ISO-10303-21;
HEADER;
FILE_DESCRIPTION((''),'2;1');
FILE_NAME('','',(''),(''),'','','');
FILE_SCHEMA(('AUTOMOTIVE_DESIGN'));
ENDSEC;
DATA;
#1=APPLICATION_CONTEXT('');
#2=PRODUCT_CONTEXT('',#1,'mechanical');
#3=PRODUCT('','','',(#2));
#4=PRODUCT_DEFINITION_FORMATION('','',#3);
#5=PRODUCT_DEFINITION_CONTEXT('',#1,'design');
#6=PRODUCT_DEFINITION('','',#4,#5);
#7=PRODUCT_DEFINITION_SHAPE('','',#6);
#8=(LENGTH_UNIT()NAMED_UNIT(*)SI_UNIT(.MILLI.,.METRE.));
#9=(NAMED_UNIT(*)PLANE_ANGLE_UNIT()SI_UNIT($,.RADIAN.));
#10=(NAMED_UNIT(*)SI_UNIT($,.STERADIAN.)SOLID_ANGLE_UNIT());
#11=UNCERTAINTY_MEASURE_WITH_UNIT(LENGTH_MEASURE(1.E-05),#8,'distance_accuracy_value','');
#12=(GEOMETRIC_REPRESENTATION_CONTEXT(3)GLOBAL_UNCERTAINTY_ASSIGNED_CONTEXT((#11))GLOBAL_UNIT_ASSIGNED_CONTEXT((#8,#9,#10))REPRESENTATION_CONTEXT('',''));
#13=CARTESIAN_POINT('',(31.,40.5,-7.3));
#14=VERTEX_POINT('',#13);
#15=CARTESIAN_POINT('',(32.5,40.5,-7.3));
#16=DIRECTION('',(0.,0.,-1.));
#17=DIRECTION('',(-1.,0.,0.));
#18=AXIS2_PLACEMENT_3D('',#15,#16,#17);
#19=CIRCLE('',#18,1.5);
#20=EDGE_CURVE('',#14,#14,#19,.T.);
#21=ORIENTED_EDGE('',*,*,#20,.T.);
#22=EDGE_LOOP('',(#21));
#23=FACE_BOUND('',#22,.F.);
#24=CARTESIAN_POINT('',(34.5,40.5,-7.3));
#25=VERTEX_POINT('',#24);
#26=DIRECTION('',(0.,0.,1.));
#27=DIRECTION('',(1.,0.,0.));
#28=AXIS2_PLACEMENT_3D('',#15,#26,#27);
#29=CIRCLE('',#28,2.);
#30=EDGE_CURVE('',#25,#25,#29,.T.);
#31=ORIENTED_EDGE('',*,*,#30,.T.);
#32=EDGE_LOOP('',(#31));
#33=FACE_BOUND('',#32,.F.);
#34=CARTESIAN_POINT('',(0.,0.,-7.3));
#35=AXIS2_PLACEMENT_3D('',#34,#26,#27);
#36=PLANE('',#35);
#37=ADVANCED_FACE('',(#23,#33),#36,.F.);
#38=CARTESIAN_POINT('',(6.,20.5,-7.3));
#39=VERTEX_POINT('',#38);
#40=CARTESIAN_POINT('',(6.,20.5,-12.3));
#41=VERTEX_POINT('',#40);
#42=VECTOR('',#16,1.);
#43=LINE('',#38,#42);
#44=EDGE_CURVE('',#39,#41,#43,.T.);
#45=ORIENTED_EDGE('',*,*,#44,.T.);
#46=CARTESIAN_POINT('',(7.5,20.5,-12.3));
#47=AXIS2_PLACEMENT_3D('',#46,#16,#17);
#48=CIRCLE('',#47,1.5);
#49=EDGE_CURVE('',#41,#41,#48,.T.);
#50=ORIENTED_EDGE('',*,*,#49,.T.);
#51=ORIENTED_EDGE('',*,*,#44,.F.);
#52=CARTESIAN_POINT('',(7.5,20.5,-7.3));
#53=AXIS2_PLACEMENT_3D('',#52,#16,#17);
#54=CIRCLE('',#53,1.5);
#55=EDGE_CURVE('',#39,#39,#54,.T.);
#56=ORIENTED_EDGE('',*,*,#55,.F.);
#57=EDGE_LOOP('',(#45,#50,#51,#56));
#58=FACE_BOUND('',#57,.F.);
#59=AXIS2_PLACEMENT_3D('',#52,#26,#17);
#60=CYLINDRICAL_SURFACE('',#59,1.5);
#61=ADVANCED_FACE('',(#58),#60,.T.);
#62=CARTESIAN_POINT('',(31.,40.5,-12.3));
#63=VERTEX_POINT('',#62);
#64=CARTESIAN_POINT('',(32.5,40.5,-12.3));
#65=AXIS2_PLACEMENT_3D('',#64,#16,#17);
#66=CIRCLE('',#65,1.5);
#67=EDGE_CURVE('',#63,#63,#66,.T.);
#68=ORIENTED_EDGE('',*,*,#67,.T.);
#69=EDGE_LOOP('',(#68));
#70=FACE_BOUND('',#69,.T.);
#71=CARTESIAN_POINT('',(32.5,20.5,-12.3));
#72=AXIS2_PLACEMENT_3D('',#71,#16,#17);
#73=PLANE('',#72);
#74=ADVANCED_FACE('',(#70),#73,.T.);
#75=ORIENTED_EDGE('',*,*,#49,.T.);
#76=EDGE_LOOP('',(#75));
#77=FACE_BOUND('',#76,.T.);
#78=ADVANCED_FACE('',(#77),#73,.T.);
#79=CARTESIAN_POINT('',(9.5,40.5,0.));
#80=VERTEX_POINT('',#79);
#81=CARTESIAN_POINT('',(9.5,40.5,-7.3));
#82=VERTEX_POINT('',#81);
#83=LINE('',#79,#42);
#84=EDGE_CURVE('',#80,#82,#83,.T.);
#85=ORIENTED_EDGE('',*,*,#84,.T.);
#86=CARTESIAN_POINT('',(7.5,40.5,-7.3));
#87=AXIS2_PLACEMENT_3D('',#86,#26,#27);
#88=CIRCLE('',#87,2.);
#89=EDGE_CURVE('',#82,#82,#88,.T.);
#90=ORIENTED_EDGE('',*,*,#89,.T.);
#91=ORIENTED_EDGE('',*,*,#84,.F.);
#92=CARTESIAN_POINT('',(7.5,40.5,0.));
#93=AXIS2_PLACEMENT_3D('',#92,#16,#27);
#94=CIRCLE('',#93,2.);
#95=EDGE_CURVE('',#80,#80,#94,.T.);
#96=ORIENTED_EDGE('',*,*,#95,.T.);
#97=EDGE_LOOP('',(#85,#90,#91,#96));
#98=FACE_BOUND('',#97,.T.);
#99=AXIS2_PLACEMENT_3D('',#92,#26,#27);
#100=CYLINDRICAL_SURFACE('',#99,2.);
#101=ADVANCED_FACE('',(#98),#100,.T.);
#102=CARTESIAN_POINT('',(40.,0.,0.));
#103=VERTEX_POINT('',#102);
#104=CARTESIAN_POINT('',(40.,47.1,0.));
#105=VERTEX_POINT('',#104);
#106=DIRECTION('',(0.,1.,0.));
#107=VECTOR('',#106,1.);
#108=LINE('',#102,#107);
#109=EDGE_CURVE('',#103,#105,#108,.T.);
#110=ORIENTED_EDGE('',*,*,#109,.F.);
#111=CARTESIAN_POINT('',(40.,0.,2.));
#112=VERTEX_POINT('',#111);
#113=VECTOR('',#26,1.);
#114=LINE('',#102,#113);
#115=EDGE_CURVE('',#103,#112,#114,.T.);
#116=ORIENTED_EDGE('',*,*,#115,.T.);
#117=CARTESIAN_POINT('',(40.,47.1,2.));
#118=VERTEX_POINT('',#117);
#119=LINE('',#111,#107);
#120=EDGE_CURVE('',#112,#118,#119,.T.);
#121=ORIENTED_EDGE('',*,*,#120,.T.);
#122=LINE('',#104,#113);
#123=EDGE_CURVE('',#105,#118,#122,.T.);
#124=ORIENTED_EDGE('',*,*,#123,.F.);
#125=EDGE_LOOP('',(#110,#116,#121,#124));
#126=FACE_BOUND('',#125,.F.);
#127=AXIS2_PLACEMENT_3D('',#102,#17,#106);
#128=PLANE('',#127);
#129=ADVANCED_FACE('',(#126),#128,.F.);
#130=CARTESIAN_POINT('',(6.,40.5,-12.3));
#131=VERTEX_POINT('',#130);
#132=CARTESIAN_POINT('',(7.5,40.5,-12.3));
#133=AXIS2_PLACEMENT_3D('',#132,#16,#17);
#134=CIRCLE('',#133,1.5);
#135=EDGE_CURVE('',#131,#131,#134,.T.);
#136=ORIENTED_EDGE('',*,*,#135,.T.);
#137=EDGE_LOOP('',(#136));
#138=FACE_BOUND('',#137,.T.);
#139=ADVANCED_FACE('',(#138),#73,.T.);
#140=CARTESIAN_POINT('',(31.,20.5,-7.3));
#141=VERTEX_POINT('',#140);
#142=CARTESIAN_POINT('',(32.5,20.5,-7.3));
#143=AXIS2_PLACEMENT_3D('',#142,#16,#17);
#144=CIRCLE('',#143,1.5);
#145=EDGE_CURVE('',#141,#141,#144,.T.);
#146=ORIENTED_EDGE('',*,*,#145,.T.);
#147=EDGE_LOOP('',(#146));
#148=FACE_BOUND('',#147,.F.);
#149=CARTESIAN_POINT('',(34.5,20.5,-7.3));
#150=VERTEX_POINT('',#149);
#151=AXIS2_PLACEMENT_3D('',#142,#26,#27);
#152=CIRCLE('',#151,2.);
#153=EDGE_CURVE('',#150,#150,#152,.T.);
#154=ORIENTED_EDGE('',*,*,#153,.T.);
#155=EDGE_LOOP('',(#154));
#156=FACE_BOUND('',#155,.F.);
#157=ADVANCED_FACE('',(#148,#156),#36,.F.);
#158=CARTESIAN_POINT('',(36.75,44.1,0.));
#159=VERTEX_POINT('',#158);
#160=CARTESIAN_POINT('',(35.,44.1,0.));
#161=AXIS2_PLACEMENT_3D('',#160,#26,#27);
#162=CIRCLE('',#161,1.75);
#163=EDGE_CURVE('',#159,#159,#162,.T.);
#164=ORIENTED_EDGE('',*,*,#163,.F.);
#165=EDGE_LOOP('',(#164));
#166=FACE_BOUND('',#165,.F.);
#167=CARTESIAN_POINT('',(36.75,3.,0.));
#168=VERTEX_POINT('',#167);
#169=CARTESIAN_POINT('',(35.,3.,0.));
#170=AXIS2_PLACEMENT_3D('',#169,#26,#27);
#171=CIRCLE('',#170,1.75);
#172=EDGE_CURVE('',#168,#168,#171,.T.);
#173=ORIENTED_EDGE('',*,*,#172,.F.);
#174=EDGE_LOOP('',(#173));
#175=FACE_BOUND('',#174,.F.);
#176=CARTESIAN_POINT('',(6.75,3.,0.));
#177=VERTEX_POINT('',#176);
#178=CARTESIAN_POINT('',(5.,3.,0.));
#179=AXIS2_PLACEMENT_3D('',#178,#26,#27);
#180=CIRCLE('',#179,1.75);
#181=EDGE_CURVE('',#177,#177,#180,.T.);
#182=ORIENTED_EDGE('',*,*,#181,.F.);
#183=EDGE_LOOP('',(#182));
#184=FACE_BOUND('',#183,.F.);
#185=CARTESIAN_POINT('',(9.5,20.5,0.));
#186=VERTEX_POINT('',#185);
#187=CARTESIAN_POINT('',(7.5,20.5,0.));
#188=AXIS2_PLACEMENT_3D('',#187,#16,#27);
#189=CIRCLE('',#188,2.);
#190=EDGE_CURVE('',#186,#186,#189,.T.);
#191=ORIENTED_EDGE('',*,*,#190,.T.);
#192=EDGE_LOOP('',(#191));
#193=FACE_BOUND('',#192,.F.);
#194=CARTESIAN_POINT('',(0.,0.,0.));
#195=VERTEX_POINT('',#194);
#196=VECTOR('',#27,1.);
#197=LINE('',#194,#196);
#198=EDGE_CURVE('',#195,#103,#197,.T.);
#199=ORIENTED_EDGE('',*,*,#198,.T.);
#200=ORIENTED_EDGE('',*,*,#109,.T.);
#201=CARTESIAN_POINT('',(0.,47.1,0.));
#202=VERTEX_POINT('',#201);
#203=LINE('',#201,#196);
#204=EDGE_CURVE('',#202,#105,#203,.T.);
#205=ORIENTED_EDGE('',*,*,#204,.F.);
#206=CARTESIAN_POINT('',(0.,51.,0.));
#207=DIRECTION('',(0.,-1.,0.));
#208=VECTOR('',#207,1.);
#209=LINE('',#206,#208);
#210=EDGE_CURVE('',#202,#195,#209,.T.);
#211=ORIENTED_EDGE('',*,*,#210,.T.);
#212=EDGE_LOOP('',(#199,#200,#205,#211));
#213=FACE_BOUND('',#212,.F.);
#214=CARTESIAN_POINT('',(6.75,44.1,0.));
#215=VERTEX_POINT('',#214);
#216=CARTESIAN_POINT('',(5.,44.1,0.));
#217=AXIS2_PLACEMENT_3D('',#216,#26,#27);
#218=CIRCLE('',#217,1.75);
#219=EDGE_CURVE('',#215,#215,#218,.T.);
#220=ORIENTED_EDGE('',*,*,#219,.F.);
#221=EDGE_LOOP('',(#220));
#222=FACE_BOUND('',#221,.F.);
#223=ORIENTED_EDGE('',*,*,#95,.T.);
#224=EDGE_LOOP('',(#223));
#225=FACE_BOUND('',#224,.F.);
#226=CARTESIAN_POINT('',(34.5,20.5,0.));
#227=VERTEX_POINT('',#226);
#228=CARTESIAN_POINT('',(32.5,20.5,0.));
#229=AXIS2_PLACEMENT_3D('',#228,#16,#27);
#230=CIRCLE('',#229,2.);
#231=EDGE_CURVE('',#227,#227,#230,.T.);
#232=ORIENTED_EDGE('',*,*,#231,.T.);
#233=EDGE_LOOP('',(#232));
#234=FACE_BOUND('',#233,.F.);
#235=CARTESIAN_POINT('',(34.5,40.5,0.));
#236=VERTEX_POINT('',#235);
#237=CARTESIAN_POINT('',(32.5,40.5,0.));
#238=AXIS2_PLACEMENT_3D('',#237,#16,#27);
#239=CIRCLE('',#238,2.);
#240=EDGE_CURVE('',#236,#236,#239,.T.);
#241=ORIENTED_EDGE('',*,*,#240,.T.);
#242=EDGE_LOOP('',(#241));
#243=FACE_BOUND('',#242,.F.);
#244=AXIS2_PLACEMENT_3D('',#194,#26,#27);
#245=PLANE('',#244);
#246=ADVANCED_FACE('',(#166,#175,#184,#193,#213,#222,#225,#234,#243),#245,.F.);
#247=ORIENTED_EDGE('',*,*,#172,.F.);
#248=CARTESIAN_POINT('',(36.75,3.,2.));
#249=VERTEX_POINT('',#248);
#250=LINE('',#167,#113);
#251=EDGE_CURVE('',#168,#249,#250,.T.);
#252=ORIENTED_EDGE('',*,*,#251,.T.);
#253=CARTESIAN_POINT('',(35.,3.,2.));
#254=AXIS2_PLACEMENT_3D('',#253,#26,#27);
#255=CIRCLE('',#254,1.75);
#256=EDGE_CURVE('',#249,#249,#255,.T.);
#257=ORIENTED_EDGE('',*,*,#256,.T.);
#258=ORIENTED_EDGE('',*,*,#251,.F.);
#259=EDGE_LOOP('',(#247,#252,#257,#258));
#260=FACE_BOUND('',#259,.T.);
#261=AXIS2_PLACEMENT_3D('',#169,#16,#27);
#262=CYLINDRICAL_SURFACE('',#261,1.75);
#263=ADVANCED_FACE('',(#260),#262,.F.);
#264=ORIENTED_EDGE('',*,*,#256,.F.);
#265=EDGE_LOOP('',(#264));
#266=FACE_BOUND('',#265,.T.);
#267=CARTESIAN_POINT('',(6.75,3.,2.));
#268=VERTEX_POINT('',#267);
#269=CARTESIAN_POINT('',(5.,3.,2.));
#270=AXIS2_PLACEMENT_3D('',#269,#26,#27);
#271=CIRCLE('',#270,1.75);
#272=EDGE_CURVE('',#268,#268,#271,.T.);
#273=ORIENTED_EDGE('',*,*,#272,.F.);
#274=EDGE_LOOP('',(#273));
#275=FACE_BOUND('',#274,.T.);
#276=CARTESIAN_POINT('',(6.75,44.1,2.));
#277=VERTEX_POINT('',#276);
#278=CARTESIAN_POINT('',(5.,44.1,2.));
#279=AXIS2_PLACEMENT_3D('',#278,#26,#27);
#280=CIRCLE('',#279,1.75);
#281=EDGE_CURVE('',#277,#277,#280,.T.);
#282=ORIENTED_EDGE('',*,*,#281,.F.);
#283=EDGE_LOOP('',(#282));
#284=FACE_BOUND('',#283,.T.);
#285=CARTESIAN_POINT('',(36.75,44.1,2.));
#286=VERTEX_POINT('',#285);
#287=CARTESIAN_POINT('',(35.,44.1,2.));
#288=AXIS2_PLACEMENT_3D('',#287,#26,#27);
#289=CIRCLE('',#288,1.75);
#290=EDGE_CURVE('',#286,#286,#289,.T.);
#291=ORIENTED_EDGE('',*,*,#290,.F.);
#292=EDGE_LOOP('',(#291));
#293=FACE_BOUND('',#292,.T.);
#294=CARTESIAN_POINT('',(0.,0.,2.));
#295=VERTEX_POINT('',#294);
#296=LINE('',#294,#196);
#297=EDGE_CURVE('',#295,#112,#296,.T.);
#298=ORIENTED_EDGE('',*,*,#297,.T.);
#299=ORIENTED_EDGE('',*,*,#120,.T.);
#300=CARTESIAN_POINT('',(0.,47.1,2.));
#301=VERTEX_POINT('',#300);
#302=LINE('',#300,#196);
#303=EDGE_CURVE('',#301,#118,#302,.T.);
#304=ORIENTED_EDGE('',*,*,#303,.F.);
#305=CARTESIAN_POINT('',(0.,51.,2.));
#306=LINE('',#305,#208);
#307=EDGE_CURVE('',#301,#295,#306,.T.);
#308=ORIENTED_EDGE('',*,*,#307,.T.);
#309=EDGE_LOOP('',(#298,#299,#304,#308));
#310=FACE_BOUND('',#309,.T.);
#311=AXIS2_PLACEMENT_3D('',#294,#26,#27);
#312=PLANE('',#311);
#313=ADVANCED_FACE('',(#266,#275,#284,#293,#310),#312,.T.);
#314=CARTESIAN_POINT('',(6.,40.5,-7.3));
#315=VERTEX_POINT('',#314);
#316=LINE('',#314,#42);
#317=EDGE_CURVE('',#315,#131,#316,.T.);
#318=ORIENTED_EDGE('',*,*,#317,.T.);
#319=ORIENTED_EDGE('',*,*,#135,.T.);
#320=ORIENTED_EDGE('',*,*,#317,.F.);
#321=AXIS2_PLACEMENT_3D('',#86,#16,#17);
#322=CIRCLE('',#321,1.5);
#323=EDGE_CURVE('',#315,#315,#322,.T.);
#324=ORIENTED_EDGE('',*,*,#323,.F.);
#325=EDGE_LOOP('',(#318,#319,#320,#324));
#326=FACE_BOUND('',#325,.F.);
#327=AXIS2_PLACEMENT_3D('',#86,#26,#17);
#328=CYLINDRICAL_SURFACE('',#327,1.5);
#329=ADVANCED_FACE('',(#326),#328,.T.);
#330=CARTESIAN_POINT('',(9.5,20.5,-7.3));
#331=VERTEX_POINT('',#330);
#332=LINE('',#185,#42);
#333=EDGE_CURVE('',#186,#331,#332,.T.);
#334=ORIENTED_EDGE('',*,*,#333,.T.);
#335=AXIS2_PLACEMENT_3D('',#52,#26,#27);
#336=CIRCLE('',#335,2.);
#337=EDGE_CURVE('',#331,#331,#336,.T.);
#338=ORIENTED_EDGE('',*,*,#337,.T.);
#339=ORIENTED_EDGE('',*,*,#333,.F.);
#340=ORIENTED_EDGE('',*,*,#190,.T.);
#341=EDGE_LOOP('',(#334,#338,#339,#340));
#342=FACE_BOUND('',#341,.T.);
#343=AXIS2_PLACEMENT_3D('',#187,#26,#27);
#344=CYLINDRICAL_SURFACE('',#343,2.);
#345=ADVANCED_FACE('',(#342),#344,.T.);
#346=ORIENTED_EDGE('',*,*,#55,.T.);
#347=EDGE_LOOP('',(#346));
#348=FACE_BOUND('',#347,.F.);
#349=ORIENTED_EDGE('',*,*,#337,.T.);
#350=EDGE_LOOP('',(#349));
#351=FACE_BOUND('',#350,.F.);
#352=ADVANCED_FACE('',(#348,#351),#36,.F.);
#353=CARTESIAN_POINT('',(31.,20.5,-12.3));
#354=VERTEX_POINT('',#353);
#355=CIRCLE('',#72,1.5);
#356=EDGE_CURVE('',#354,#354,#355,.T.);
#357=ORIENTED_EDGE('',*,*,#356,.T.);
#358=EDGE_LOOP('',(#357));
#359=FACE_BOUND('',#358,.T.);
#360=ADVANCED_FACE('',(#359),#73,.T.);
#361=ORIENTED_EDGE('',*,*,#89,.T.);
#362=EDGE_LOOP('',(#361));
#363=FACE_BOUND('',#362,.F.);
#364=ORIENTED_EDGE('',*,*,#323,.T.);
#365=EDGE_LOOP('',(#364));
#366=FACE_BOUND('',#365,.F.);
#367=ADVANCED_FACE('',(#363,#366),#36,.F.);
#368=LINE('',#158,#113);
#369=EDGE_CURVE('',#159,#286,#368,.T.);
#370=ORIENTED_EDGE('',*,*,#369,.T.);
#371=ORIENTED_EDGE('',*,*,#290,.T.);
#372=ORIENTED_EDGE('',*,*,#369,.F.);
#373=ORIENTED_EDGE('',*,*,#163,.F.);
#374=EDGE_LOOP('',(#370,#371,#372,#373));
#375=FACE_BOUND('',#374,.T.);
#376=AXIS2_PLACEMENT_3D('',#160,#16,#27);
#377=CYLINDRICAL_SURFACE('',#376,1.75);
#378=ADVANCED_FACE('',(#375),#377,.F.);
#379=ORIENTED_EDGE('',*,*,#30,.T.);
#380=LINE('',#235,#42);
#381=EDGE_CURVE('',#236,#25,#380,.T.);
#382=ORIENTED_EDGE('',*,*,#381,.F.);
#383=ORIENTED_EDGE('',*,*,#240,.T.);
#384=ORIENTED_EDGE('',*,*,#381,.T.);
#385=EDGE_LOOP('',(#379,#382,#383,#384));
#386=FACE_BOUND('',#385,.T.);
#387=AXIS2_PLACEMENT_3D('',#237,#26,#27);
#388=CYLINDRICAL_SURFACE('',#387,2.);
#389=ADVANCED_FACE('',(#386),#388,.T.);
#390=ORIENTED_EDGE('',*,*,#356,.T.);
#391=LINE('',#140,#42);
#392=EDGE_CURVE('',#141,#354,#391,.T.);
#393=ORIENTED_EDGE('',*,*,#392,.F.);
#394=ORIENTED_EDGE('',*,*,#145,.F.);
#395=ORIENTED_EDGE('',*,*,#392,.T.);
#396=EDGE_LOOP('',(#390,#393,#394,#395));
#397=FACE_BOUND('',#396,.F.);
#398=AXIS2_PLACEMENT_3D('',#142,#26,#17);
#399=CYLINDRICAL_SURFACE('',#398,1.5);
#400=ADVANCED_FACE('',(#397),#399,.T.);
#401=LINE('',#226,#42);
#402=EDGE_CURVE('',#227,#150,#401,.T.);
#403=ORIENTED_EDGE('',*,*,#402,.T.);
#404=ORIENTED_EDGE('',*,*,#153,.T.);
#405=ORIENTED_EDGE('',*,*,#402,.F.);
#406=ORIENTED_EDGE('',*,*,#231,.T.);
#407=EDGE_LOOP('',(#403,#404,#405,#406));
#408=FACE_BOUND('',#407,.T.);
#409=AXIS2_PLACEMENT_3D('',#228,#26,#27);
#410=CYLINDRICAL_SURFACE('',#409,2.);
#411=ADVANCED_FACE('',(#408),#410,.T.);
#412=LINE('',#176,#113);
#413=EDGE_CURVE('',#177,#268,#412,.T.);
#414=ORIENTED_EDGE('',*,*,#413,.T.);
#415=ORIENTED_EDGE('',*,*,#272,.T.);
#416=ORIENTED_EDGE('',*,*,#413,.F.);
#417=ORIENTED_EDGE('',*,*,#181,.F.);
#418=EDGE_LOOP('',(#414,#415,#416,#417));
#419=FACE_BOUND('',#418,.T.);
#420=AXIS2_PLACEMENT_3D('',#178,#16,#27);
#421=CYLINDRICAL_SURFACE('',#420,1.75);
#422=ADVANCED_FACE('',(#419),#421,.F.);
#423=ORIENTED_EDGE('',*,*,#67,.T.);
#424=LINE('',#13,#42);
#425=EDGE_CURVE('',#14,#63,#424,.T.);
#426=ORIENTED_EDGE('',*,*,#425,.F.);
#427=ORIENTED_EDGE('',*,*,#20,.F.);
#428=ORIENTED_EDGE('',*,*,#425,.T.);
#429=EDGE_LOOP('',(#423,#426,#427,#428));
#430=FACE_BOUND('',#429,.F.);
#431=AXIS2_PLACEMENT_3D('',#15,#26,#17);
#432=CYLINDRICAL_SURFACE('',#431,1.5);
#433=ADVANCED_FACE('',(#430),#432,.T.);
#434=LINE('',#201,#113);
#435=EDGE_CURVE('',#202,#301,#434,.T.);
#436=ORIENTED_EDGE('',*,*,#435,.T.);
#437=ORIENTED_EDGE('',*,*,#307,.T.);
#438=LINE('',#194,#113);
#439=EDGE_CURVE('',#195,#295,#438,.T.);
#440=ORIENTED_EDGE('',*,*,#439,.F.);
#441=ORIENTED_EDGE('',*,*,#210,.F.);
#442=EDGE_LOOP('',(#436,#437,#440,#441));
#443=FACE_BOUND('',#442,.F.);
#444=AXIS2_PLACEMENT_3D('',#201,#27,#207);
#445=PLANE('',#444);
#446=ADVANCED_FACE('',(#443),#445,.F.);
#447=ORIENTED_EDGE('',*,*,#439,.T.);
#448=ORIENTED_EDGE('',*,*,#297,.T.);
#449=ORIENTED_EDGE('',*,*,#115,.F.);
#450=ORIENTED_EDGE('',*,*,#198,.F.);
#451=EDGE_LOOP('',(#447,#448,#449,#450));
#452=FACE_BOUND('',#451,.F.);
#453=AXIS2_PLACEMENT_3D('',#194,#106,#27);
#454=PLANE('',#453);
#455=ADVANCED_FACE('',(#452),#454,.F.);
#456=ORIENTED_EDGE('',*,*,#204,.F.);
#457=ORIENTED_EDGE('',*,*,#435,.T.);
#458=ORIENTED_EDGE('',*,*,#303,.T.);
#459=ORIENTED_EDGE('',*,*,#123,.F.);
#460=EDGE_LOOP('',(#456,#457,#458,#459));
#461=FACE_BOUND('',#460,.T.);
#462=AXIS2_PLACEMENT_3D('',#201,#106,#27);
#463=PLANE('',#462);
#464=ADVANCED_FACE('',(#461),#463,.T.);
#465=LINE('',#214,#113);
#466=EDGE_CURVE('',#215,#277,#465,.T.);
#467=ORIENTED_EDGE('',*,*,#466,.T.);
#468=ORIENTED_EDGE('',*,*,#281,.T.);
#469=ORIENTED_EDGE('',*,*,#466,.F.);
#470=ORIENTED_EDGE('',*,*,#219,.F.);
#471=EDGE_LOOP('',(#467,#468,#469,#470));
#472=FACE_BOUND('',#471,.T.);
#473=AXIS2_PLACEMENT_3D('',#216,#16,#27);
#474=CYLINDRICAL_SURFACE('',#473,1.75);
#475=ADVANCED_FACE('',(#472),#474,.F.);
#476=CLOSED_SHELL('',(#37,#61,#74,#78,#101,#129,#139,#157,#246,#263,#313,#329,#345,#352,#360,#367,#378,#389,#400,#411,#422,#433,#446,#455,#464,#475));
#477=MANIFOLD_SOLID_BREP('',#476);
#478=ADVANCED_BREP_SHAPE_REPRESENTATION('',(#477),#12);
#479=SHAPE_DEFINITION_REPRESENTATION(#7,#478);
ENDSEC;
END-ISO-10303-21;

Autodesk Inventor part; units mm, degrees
ref_plane "YZ Plane" through (0, 0, 0) normal (1, 0, 0) x (0, 1, 0)
ref_plane "XZ Plane" through (0, 0, 0) normal (0, 1, 0) x (-1, 0, 0)
ref_plane "XY Plane" through (0, 0, 0) normal (0, 0, 1) x (1, 0, 0)
sketch "Sketch1" plane through (0, 0, 0) normal (0, 0, 1) x (1, 0, 0)
  line L0 (0, 0) -> (40, 0)
  line L1 (40, 0) -> (40, 51)
  line L2 (40, 51) -> (0, 51)
  line L3 (0, 51) -> (0, 0)
  circle A0 centre (5, 3) radius 1.75
  circle A1 centre (12.5, 3) radius 1.75
  circle A2 centre (20, 3) radius 1.75
  circle A3 centre (27.5, 3) radius 1.75
  circle A4 centre (35, 3) radius 1.75
  line L4 (7.5, 20.5) -> (32.5, 20.5)
  line L5 (32.5, 20.5) -> (32.5, 40.5)
  line L6 (32.5, 40.5) -> (7.5, 40.5)
  line L7 (7.5, 40.5) -> (7.5, 20.5)
  line L8 (7.5, 20.5) -> (32.5, 40.5) construction
  line L9 (32.5, 20.5) -> (7.5, 40.5) construction
  circle A5 centre (32.5, 40.5) radius 2
  circle A6 centre (32.5, 20.5) radius 2
  circle A7 centre (7.5, 20.5) radius 2
  circle A8 centre (7.5, 40.5) radius 2
  circle A9 centre (35, 44.1) radius 1.75
  line L10 (0, 47.1) -> (40, 47.1)
  line L11 (40, 47.1) -> (40, 51)
  line L12 (40, 51) -> (0, 51)
  line L13 (0, 51) -> (0, 47.1)
  circle A10 centre (5, 44.1) radius 1.75
  point P0 (20, 51)
  point P1 (20, 30.5)
  point P2 (40, 25.5)
  point P3 (40, 47.1)
  dimension "d0" = 3.5
  dimension "d3" = 7.5
  dimension "d8" = 40
  dimension "d10" = 4
  dimension "d11" = 4
  dimension "d12" = 4
  dimension "d13" = 4
  dimension "d14" = 20
  dimension "d15" = 25
  dimension "d16" = 5
  dimension "d21" = 3
  dimension "d22" = 41.1
  dimension "d23" = 3
  dimension "d25" = 27.5
extrude "Extrusion1" add sketch "Sketch1" along normal blind 2 contours L3 L10 L1 L0 | A1 | A2 | A3 | L7 A7 L4 | L4 A7 L7 | A7 L7 A8 L6 A5 L5 A6 L4 | A6 L5 L4 | L4 L5 A6 | A8 L6 L7 | L7 L6 A8 | A5 L6 L5 | L5 L6 A5
extrude "Extrusion2" add sketch "Sketch1" against normal blind 7.3 contours L7 A7 L4 | L4 A7 L7 | A6 L5 L4 | L4 L5 A6 | A8 L6 L7 | L7 L6 A8 | A5 L6 L5 | L5 L6 A5
sketch "Sketch2" plane through (32.5, 20.5, -7.3) normal (0, 0, -1) x (-1, 0, 0)
  circle A0 centre (0, 20) radius 2 projected
  circle A1 centre (0, 0) radius 2 projected
  circle A2 centre (25, 20) radius 2 projected
  circle A3 centre (25, 0) radius 2 projected
  circle A4 centre (0, 20) radius 1.5
  circle A5 centre (0, 0) radius 1.5
  circle A6 centre (25, 0) radius 1.5
  circle A7 centre (25, 20) radius 1.5
  point P0 (32.5, -20.5)
  dimension "d26" = 3
  dimension "d27" = 3
  dimension "d28" = 3
  dimension "d29" = 3
extrude "Extrusion3" add sketch "Sketch2" along normal blind 5 contours A4 | A5 | A6 | A7
properties part number "HOLDER_MARKER_ROBOTAT" material "ABS Plastic"
